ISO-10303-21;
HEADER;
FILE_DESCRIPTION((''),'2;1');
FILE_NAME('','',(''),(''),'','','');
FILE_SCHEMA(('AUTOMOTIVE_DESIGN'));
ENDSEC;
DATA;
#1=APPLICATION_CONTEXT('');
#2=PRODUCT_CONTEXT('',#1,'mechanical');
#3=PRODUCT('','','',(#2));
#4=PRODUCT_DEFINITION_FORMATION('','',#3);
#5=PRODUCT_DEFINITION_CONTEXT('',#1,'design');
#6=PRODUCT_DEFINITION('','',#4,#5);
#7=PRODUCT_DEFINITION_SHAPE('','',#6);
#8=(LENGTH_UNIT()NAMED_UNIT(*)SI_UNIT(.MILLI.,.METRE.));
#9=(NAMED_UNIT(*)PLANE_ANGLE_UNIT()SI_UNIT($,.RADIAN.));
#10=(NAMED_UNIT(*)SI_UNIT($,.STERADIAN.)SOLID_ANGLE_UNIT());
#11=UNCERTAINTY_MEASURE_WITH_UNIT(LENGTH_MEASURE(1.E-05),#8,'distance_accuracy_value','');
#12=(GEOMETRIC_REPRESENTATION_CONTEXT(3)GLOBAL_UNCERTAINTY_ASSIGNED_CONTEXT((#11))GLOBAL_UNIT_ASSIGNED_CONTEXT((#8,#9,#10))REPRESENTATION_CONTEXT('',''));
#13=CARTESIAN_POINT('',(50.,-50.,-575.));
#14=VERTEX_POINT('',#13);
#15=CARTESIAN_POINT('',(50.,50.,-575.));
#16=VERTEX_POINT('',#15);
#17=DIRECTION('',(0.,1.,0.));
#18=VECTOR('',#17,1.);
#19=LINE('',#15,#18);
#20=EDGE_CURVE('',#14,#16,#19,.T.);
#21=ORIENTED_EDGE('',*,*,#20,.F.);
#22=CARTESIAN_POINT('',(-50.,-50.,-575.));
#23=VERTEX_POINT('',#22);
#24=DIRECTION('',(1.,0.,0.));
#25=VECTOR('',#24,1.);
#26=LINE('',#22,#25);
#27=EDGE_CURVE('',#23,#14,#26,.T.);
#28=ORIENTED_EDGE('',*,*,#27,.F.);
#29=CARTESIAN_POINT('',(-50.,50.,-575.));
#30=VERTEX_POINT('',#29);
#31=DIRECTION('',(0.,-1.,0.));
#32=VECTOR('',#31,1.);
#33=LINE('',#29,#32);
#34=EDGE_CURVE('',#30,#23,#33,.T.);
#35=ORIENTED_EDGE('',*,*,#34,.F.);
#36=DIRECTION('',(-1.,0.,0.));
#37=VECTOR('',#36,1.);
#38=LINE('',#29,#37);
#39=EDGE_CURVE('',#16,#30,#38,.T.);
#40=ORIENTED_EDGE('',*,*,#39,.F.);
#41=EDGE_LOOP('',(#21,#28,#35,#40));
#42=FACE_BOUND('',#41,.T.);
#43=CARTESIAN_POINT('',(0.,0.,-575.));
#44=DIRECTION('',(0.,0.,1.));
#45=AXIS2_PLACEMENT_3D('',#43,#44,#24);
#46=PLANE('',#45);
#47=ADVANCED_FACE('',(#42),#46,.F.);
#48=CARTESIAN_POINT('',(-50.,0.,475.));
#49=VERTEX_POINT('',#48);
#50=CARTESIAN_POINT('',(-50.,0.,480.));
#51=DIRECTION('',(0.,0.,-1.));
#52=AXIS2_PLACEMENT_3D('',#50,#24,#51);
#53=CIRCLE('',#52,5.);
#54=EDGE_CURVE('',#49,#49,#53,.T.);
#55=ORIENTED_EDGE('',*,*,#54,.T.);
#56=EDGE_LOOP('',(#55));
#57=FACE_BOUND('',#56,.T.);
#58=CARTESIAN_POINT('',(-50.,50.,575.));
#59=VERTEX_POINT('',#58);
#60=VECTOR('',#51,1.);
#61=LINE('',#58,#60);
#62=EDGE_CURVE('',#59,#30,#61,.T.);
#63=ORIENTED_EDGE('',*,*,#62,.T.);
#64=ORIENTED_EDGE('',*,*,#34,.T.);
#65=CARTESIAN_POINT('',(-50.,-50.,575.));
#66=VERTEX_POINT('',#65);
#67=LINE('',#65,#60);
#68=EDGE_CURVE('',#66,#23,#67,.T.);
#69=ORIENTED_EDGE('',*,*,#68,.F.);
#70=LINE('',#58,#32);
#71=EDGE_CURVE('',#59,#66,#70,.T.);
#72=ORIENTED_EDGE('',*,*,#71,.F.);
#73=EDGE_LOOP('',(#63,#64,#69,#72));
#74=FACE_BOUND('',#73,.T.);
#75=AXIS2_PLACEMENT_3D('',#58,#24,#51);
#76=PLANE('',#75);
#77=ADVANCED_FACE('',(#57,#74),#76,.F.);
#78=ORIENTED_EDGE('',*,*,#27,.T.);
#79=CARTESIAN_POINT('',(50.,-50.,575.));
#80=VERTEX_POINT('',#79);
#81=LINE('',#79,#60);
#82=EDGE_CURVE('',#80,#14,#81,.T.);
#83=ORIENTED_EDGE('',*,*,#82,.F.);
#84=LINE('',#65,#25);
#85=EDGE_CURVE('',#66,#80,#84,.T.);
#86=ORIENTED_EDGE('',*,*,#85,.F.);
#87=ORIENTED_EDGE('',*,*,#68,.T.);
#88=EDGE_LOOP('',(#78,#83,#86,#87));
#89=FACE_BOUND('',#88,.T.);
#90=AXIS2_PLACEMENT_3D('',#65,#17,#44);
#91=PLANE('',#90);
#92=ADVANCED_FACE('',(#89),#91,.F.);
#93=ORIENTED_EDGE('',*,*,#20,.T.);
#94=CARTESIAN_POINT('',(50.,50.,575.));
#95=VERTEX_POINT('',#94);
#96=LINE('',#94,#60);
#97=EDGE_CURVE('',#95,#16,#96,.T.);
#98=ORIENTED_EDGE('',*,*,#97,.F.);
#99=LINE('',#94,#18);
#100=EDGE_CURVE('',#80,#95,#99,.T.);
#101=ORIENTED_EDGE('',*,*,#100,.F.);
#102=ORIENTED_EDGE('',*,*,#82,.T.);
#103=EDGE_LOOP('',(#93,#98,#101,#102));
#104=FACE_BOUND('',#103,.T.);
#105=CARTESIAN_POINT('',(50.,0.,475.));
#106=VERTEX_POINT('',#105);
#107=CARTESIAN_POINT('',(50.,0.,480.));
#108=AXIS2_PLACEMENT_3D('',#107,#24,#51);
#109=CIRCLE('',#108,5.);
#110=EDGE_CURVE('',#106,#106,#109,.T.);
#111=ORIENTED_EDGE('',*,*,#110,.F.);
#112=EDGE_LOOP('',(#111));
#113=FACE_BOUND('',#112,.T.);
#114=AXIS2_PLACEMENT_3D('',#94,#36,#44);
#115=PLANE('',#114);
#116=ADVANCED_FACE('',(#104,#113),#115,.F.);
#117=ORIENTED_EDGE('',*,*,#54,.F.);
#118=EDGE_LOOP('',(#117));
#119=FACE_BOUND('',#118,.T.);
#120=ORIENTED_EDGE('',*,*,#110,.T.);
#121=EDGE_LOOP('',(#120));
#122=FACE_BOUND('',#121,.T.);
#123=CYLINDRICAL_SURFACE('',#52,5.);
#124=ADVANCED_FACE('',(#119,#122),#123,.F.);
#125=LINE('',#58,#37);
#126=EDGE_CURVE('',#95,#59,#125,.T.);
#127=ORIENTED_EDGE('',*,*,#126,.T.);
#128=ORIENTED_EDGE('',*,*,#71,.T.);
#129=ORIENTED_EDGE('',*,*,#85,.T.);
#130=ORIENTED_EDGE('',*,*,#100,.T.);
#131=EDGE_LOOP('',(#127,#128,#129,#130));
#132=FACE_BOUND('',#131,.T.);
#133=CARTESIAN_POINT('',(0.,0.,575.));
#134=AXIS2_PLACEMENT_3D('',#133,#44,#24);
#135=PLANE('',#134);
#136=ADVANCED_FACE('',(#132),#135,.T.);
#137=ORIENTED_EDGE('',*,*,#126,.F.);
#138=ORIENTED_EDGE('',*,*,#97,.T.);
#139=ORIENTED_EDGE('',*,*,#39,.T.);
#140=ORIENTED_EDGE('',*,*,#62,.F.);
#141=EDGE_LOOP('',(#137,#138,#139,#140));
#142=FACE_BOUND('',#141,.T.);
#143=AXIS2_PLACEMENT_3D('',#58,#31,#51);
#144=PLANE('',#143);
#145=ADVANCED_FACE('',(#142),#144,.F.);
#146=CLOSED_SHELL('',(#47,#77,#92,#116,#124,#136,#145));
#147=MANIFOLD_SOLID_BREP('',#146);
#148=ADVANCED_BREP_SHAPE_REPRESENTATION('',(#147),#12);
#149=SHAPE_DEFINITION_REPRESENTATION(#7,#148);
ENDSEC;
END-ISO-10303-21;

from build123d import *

# Parameters (mm, degrees)
SKETCH1_W           = 100
SKETCH1_H           = 100
BOSS_EXTRUDE1_DEPTH = 575
SKETCH2_R           = 5
CUT_EXTRUDE1_DEPTH  = 586.768725693


with BuildPart() as part:
    # Sketch1 → Boss-Extrude1 (new, symmetric)
    with BuildSketch(Plane.XY):
        Rectangle(SKETCH1_W, SKETCH1_H)
    extrude(amount=BOSS_EXTRUDE1_DEPTH, both=True)

    # Sketch2 → Cut-Extrude1 (cut, through all)
    with BuildSketch(Plane(origin=(50, 0, 0), x_dir=(0, 0, -1), z_dir=(1, 0, 0))):
        with Locations((-480, 0)):
            Circle(SKETCH2_R)
    extrude(amount=-CUT_EXTRUDE1_DEPTH, mode=Mode.SUBTRACT)


solid = part.part
